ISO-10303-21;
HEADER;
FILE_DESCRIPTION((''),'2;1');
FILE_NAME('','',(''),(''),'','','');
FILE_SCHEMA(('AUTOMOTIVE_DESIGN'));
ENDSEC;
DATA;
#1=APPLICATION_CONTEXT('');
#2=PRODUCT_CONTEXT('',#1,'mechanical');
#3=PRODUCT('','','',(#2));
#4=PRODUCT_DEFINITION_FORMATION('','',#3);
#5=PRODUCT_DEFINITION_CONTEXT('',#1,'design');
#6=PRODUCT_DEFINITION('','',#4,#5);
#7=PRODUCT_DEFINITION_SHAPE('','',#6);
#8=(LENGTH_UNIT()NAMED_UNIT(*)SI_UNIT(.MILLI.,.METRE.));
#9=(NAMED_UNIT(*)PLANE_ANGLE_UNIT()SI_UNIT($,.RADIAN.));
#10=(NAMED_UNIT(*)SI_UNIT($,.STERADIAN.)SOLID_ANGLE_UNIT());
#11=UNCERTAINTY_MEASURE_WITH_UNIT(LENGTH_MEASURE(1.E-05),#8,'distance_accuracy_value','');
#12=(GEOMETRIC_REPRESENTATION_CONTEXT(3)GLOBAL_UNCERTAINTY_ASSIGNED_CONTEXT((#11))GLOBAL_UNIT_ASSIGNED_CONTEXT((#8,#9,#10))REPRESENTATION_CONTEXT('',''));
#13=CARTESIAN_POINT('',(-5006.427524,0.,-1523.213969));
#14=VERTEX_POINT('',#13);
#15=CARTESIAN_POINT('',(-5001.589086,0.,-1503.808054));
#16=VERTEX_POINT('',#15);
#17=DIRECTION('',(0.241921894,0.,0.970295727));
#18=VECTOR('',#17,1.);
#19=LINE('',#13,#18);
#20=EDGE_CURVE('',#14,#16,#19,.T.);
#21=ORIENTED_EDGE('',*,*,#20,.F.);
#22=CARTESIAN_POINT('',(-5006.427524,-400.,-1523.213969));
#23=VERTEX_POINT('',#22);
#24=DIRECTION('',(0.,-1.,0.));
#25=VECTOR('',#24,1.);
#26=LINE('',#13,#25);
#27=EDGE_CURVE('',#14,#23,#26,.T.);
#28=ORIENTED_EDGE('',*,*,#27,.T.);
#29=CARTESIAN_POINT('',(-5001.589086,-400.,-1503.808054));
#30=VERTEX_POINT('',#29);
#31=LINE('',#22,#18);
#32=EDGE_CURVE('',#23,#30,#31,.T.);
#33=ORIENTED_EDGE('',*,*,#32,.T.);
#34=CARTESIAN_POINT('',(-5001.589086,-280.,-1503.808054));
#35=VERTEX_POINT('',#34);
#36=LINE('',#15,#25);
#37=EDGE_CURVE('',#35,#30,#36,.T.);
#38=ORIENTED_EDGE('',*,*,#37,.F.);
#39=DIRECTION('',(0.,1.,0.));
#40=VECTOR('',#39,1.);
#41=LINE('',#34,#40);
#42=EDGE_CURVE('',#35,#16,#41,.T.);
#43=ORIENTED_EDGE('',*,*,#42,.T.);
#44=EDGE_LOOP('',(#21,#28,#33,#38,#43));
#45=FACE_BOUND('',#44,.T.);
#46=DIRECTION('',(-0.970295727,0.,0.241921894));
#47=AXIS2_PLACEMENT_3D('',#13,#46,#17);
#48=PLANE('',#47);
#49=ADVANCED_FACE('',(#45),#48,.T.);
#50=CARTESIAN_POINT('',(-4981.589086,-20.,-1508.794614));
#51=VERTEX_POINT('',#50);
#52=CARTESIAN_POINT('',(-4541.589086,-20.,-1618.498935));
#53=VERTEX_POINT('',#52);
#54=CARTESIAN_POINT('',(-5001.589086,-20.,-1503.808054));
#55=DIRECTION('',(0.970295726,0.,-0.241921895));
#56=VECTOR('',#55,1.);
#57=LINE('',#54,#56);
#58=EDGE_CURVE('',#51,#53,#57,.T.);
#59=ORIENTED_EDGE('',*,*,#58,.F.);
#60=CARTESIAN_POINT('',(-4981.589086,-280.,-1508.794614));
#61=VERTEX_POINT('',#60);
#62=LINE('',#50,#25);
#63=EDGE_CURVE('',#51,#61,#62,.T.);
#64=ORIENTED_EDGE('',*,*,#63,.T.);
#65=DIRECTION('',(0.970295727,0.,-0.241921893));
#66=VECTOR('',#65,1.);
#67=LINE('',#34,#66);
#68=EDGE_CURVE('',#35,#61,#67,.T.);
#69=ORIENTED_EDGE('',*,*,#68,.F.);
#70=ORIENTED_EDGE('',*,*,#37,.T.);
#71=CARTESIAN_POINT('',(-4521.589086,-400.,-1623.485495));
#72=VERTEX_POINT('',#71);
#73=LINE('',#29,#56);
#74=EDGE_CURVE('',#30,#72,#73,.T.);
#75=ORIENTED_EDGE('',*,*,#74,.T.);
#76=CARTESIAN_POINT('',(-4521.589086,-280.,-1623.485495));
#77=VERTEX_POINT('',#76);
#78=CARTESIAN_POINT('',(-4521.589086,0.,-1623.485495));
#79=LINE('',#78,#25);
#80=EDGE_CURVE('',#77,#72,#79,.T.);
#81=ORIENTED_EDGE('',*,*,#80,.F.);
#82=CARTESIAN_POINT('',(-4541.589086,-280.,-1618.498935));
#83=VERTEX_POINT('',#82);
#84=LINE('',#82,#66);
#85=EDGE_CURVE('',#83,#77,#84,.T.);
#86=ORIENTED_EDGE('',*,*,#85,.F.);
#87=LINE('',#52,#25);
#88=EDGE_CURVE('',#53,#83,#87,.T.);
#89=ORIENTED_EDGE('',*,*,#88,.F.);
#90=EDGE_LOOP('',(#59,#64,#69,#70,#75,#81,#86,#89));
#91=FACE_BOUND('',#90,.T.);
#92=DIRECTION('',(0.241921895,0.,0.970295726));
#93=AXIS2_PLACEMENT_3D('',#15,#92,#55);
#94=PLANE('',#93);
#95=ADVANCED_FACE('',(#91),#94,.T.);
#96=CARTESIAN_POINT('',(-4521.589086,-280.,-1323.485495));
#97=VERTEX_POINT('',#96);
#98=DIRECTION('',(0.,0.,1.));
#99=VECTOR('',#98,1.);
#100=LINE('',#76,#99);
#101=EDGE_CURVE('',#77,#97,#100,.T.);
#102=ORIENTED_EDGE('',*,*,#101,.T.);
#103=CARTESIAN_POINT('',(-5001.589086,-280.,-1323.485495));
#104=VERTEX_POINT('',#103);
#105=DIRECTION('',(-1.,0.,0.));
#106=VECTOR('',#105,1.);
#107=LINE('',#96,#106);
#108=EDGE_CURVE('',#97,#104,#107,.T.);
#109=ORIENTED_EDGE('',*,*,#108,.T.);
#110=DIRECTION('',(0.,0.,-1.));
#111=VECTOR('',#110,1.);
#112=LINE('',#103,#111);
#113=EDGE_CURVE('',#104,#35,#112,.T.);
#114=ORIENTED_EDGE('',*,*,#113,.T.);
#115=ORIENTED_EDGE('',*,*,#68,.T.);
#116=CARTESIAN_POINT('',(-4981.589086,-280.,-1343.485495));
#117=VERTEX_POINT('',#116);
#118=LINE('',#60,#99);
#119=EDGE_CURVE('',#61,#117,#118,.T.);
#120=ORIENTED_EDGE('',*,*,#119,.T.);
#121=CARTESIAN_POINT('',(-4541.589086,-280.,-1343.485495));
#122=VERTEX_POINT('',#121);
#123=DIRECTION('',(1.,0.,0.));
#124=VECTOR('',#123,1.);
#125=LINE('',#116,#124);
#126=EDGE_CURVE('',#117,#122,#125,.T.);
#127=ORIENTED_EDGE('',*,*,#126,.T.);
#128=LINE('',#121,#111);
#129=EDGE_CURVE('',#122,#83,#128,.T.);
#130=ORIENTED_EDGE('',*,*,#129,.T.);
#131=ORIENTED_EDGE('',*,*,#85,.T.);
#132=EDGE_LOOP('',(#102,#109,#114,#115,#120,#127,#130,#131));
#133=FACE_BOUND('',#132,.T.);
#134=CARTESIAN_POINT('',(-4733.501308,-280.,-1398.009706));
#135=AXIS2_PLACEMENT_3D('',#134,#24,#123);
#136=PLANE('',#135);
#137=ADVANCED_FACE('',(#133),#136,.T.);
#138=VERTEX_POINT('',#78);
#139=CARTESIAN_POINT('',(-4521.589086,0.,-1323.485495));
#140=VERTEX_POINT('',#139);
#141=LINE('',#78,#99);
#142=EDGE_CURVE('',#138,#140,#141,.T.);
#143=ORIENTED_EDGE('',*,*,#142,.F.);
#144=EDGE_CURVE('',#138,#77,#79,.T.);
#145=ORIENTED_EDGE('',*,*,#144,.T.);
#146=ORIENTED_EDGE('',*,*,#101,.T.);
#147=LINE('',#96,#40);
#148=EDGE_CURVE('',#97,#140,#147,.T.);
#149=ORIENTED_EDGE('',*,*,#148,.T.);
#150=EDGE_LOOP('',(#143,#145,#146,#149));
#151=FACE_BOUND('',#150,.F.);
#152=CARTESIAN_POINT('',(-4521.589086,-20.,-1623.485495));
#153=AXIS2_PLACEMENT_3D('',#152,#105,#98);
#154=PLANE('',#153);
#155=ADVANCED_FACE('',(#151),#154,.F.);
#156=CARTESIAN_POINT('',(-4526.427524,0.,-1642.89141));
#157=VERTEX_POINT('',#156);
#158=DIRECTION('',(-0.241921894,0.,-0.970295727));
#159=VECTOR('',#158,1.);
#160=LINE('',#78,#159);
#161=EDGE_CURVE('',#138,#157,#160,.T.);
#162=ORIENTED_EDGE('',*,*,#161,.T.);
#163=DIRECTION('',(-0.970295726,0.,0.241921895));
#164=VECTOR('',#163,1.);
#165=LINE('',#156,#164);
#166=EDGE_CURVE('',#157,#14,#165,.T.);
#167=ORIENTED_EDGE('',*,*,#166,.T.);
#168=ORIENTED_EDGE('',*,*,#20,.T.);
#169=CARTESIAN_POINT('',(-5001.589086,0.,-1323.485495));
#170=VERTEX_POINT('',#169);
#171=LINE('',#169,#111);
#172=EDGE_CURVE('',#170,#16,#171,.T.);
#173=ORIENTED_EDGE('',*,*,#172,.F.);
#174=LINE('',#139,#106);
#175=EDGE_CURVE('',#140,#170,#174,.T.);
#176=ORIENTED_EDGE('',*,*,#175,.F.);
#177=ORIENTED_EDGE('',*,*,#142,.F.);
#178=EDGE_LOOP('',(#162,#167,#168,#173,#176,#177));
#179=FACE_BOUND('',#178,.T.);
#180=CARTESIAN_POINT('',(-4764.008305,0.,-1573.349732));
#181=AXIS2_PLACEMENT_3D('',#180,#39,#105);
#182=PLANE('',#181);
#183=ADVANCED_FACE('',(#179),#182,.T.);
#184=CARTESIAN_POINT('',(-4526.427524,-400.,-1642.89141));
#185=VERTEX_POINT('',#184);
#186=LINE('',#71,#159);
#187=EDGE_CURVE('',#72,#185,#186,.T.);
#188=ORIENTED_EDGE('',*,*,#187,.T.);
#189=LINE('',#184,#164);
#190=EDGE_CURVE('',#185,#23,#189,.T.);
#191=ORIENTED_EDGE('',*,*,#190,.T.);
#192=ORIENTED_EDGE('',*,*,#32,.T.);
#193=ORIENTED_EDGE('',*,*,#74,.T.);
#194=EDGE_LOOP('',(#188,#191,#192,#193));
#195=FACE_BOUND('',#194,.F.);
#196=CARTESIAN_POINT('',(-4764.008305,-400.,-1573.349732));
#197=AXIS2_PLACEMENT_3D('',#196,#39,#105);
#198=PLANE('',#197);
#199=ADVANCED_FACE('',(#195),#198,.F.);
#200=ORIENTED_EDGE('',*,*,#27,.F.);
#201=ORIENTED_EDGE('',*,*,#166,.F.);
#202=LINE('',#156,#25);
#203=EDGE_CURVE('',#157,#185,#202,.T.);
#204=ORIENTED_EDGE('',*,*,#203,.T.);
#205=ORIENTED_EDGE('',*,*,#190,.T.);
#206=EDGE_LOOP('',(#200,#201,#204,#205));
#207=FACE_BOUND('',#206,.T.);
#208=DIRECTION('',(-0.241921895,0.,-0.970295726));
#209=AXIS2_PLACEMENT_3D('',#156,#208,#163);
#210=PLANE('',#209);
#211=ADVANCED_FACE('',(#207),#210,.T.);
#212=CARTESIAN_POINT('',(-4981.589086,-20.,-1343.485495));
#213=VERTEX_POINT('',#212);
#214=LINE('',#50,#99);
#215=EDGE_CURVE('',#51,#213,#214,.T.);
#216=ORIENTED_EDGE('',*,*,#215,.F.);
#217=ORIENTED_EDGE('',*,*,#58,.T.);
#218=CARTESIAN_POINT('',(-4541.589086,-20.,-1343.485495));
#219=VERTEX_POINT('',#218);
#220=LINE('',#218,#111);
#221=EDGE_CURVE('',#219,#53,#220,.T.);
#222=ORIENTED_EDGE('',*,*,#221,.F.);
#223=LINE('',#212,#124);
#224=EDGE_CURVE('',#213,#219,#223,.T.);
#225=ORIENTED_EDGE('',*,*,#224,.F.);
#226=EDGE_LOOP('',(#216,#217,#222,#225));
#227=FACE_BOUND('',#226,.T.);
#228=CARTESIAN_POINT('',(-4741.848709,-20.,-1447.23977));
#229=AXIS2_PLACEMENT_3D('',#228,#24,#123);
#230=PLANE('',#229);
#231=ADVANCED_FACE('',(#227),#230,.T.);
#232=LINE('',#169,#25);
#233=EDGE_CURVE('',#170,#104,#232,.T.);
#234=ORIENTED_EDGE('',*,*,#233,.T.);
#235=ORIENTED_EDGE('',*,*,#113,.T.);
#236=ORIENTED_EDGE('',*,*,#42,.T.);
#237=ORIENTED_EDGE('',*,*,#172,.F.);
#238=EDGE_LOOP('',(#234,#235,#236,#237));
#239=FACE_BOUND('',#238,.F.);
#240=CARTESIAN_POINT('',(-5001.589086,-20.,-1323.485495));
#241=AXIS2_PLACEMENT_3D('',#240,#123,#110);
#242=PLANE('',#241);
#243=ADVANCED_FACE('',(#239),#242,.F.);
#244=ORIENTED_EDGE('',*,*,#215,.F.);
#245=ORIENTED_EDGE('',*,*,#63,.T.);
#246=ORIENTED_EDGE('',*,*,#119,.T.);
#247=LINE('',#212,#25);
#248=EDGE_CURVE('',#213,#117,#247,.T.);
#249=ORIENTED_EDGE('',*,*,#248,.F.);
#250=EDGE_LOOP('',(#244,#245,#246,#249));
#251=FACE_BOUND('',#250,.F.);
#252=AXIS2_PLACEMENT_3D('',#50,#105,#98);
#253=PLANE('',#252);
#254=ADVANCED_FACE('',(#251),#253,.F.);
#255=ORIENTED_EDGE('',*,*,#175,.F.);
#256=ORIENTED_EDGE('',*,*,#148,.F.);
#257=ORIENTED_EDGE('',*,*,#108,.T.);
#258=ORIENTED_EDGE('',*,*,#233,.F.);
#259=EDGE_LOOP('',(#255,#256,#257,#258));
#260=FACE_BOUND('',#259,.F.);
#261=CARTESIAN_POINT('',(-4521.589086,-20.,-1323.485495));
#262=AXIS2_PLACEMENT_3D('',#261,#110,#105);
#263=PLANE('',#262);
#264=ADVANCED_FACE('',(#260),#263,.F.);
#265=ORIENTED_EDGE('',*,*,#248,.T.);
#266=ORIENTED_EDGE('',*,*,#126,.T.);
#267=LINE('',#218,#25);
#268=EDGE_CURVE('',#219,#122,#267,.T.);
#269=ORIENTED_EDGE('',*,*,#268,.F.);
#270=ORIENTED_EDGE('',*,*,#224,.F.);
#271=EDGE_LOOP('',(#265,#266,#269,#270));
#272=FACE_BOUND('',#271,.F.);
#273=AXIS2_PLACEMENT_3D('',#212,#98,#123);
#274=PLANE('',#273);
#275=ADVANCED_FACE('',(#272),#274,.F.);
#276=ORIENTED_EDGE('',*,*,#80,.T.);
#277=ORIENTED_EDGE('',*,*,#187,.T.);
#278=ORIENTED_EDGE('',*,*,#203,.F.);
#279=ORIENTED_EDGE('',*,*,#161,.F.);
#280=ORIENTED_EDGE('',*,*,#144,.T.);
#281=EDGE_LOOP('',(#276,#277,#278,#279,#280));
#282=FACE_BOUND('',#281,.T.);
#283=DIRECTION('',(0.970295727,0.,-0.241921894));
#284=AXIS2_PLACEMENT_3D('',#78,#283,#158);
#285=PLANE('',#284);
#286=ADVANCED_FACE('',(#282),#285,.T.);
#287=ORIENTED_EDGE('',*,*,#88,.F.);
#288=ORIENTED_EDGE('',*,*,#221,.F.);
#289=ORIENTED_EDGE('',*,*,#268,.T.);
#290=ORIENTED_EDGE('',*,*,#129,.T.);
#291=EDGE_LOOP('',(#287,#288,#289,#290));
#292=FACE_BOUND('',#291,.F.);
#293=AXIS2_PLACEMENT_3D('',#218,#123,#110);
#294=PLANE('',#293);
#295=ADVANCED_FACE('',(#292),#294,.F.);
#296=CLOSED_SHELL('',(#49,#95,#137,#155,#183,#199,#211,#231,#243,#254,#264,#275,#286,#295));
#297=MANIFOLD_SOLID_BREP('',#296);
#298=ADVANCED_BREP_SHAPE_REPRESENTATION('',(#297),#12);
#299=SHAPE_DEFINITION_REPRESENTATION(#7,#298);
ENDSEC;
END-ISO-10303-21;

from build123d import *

# Parameters (mm, degrees)
F1_DEPTH = 20
F3_DEPTH = 260
F5_DEPTH = 400


with BuildPart() as f1:
    # F0 (on Front) → F1 (new body)
    with BuildSketch(Plane.XZ):
        Polygon((-4521.589086, -1323.485495), (-5001.589086, -1323.485495), (-5001.589086, -1503.808054), (-4521.589086, -1623.485495), align=None)
    extrude(amount=F1_DEPTH)

    # F2 (on face) → F3 (join)
    with BuildSketch(Plane.XZ.offset(20)):
        Polygon((-4521.589086, -1323.485495), (-5001.589086, -1323.485495), (-5001.589086, -1503.808054), (-4981.589086, -1508.794614), (-4981.589086, -1343.485495), (-4541.589086, -1343.485495), (-4541.589086, -1618.498935), (-4521.589086, -1623.485495), align=None)
    extrude(amount=F3_DEPTH)

    # F4 (on face) → F5 (join)
    with BuildSketch(Plane(origin=(0, 0, 0), x_dir=(-1, 0, 0), z_dir=(0, 1, 0))):
        Polygon((5006.427524, -1523.213969), (5001.589086, -1503.808054), (4521.589086, -1623.485495), (4526.427524, -1642.89141), align=None)
    extrude(amount=-F5_DEPTH)


solid = f1.part
